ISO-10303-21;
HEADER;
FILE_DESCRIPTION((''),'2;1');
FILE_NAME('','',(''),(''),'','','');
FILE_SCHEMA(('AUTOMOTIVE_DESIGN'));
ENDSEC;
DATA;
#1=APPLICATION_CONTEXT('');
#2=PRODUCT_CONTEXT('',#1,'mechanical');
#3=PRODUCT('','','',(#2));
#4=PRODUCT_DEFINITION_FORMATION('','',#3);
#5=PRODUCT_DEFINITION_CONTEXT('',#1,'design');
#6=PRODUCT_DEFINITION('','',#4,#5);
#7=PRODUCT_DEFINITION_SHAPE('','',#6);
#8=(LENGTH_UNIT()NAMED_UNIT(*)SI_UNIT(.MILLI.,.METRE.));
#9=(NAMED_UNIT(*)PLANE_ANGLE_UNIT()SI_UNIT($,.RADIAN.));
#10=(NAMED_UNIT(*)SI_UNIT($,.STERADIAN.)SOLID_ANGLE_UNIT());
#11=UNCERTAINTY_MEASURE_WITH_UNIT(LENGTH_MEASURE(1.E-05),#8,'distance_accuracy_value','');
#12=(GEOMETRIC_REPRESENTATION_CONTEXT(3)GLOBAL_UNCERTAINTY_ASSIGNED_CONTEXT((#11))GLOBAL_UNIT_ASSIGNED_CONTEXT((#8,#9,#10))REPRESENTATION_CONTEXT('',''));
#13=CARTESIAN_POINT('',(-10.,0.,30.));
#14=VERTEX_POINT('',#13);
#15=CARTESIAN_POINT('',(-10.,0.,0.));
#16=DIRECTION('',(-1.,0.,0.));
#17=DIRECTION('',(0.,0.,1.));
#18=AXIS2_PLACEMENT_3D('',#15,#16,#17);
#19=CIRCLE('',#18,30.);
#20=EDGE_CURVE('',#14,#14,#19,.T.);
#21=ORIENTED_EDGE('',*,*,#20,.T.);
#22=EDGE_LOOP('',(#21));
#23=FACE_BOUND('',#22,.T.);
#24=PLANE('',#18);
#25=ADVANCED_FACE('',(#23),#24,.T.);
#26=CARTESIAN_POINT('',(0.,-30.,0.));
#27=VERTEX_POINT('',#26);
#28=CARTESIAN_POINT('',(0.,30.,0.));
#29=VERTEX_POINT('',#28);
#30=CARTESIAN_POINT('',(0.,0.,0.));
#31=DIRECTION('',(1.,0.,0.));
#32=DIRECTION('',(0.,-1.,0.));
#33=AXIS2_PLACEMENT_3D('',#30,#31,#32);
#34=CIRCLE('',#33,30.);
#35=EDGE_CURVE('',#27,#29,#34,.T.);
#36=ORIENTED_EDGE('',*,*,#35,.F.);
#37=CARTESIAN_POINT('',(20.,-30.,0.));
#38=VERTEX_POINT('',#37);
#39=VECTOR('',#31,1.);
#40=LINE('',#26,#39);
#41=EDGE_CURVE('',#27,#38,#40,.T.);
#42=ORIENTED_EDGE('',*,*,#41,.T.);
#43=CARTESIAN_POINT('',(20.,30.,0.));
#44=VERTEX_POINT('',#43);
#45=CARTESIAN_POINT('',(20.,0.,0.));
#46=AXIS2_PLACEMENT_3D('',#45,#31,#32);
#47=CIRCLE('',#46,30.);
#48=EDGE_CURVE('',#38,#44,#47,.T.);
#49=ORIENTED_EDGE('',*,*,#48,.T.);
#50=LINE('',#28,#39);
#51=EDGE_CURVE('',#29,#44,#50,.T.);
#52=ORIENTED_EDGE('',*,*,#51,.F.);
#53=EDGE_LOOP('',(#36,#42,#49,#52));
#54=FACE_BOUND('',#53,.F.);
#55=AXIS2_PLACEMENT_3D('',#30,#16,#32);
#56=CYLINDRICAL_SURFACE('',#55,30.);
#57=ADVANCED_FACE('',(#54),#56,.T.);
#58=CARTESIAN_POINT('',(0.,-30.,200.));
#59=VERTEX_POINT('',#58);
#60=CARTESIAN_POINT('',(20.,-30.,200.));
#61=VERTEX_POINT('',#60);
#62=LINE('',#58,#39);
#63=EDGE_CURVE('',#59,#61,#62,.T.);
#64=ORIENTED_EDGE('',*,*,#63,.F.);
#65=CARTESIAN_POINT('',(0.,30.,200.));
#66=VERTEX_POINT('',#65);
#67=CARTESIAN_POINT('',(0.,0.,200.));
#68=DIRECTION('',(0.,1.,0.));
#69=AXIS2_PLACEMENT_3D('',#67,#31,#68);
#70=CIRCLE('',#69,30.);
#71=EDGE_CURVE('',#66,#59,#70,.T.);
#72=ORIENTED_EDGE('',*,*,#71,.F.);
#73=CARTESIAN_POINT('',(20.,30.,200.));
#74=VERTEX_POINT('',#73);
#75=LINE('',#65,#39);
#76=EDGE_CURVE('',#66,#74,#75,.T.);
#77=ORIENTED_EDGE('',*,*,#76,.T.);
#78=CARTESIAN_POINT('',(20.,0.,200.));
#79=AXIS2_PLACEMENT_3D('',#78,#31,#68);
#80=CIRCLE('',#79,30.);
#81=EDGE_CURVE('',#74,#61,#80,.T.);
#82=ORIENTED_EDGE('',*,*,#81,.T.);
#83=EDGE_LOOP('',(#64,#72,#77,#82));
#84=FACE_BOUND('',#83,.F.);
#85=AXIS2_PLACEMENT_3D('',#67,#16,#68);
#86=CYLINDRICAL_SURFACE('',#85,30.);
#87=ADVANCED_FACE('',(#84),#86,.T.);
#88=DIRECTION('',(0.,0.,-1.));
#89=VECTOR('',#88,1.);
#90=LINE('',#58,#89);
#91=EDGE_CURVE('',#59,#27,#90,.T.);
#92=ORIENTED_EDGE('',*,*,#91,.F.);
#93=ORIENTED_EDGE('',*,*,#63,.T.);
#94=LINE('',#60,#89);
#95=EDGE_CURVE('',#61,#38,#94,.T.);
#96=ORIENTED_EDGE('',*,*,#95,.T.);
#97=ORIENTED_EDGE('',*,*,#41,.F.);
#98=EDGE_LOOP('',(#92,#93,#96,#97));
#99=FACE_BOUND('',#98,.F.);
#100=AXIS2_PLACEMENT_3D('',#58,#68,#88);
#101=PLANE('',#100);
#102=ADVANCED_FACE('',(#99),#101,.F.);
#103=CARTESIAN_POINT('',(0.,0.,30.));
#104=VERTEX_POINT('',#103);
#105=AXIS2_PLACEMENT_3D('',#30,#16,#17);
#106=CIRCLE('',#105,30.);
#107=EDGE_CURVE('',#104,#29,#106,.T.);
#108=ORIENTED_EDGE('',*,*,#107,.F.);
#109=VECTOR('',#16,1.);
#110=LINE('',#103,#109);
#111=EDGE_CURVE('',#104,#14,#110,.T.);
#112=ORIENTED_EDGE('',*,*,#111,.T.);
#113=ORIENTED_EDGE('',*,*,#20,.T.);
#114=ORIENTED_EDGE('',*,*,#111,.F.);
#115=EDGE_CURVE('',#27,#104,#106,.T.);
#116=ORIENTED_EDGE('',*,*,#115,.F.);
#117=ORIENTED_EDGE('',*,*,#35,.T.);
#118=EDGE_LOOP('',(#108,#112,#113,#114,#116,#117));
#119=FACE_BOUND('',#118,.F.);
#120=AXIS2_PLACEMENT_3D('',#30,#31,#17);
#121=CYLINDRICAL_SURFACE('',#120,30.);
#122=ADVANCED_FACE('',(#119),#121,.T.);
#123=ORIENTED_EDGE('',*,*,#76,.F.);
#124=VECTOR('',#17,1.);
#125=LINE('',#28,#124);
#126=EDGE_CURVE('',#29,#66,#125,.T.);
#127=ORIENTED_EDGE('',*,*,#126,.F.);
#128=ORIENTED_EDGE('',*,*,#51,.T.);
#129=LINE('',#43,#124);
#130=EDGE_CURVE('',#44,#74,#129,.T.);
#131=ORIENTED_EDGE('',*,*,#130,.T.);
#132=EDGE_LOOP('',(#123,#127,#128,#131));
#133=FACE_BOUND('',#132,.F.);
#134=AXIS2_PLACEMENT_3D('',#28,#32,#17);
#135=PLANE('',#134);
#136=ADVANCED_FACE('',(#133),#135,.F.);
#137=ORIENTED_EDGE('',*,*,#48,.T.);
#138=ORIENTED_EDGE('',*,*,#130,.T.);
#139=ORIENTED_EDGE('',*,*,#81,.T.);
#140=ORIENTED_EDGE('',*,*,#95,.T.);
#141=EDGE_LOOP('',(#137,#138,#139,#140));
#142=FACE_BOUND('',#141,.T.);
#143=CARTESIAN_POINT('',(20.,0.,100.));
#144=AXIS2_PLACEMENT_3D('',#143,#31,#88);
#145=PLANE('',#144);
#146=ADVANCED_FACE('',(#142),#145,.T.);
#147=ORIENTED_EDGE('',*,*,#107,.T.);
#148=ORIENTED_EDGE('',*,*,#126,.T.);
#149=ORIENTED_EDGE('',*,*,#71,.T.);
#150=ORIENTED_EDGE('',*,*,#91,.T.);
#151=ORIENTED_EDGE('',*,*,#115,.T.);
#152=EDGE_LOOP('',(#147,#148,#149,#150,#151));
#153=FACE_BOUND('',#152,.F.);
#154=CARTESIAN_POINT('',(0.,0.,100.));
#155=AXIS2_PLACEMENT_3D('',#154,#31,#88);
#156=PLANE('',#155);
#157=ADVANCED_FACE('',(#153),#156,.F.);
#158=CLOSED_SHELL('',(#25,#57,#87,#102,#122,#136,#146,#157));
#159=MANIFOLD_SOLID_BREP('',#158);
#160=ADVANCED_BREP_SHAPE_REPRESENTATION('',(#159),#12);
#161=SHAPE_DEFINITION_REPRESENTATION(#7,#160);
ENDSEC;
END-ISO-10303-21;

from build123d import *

# Parameters (mm, degrees)
EXTRUDE_1_DEPTH = 20
SKETCH_2_R      = 30
EXTRUDE_2_DEPTH = 10


with BuildPart() as part:
    # 草图1 → 凸台-拉伸1 (new body)
    with BuildSketch(Plane(origin=(0, 0, 0), x_dir=(0, 0, -1), z_dir=(1, 0, 0))):
        with BuildLine():
            Line((0, 30), (-200, 30))
            ThreePointArc((-200, 30), (-230, 0), (-200, -30))
            Line((-200, -30), (0, -30))
            ThreePointArc((0, -30), (30, 0), (0, 30))
        make_face()
    extrude(amount=EXTRUDE_1_DEPTH)

    # 草图2 → 凸台-拉伸2 (add)
    with BuildSketch(Plane.ZY):
        Circle(SKETCH_2_R)
    extrude(amount=EXTRUDE_2_DEPTH)


solid = part.part
